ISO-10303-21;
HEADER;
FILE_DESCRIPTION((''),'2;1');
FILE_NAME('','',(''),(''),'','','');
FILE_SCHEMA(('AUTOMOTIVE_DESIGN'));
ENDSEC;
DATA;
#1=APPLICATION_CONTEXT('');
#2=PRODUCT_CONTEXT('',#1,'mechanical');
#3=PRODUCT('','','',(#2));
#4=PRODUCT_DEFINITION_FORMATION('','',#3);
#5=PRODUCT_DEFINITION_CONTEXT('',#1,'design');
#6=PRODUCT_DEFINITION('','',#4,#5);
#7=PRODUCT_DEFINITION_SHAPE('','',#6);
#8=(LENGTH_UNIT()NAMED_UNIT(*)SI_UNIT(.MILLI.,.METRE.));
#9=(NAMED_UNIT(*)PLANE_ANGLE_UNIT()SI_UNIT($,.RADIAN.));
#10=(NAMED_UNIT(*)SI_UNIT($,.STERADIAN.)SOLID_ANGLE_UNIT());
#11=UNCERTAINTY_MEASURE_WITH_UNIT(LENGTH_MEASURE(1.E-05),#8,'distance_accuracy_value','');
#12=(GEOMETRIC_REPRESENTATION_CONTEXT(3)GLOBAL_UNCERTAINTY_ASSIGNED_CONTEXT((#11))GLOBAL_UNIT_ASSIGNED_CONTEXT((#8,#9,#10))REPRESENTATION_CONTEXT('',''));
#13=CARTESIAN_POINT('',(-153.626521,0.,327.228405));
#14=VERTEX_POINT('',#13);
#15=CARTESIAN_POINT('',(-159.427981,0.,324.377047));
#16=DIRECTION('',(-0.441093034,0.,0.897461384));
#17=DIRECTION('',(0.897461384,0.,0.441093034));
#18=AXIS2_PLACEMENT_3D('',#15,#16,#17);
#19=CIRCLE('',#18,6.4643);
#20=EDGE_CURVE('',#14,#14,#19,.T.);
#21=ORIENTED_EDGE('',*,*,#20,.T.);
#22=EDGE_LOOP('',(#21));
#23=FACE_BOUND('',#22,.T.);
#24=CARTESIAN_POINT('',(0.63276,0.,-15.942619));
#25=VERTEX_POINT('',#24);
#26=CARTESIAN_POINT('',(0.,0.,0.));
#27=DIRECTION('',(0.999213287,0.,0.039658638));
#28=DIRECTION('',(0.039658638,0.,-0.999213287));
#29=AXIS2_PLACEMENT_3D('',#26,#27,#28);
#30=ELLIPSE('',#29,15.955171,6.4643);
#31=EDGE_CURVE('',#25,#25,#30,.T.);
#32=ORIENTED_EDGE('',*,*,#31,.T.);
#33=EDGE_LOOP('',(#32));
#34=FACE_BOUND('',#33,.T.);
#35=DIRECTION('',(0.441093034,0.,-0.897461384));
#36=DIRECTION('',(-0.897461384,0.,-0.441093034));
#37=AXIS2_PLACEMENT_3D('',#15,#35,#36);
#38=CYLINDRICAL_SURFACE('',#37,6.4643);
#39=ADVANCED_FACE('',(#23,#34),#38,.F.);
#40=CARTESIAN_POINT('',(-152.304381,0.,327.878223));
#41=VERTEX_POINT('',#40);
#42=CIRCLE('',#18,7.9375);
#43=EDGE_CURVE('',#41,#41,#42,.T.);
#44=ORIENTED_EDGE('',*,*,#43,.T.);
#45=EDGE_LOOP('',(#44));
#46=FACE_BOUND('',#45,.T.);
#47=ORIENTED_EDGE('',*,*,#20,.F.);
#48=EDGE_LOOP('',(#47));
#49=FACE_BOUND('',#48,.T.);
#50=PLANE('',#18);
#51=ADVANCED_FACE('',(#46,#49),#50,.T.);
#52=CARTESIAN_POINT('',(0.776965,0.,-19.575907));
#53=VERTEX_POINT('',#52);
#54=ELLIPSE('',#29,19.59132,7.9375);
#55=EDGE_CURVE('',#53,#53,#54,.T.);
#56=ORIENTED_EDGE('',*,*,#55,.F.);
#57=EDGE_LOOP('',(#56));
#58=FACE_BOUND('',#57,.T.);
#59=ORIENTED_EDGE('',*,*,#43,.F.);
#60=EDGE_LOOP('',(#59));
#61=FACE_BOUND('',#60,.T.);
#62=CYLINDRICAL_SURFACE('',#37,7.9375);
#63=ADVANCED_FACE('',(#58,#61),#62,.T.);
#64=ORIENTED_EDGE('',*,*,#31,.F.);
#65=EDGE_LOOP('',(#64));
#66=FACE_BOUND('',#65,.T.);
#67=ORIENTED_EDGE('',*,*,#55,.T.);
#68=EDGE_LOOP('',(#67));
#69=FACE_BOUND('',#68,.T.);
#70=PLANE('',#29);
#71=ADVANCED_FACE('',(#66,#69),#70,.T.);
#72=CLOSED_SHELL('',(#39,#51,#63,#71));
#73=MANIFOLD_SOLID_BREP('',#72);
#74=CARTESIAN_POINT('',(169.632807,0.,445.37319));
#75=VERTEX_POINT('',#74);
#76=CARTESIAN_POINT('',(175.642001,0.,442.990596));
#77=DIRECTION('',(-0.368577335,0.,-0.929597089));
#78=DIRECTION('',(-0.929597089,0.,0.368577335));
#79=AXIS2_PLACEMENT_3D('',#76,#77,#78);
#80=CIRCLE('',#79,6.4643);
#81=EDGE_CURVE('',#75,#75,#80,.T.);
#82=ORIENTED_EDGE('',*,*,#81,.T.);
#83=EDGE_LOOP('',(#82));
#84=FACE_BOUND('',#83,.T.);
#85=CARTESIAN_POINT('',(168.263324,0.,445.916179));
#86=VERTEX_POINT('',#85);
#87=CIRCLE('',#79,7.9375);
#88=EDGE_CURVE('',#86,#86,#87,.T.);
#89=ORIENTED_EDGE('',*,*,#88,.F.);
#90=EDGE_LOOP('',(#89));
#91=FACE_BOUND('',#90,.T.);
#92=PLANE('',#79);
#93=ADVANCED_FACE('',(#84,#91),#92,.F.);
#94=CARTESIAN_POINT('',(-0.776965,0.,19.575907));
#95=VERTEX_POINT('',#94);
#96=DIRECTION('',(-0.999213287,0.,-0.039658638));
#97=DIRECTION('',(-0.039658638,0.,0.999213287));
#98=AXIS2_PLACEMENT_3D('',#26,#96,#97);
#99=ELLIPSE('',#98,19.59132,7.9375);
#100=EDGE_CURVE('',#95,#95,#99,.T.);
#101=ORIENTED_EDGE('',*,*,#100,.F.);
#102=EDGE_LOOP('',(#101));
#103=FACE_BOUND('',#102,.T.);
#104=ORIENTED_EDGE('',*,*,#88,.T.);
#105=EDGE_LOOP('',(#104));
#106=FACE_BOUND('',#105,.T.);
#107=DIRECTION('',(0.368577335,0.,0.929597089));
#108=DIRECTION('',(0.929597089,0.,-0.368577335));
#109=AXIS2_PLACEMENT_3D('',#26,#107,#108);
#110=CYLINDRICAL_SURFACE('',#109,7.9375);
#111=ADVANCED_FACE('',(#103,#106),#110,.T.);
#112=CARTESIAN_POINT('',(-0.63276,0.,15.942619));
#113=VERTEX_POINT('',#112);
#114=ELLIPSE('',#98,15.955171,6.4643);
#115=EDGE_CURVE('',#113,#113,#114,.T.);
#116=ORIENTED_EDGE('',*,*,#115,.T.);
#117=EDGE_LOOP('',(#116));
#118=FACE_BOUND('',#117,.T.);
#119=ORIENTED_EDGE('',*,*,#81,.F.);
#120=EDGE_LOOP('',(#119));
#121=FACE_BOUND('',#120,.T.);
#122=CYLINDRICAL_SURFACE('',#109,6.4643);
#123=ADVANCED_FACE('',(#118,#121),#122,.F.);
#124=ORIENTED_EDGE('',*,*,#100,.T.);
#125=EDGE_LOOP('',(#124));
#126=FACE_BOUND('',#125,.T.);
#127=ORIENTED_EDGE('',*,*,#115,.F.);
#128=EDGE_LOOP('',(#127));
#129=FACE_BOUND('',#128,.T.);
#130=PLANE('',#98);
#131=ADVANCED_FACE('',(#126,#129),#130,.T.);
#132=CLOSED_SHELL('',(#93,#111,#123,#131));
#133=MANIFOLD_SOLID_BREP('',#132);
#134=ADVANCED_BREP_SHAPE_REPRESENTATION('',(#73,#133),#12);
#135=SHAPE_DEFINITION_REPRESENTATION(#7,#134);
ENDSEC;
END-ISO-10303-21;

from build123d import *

# Parameters (mm, degrees)
SKETCH11_ON_SEGMENT_1_R         = 7.9375
SKETCH11_ON_SEGMENT_1_R_2       = 6.4643
STRUCTURAL_MEMBER1_DEPTH        = 502.870881135
SKETCH11_R                      = 7.9375
SKETCH11_R_2                    = 6.4643
STRUCTURAL_MEMBER1_2_DEPTH      = 361.438445442
STRUCTURAL_MEMBER1_2_DEPTH_BACK = 26.330451864


with BuildPart() as part:
    # Sketch11 on segment 1 (carried to segment 1) → Structural Member1 (new body)
    with BuildSketch(Plane(origin=(175.642001203, 0, 442.990595998), x_dir=(-0.929597089, 0, 0.368577335), z_dir=(-0.368577335, 0, -0.929597089))):
        Circle(SKETCH11_ON_SEGMENT_1_R)
        Circle(SKETCH11_ON_SEGMENT_1_R_2, mode=Mode.SUBTRACT)
    extrude(amount=STRUCTURAL_MEMBER1_DEPTH)

    # Structural Member1 mitre 1
    split(bisect_by=Plane(origin=(0, 0, 0), x_dir=(0, 1, 0), z_dir=(0.999213287, 0, 0.039658638)), keep=Keep.TOP)


with BuildPart() as body_2:
    # Sketch11 → Structural Member1 2 (new, two sides)
    with BuildSketch(Plane(origin=(0, 0, 0), x_dir=(0.8974613837581003, 0, 0.4410930340222977), z_dir=(-0.4410930340222977, 0, 0.8974613837581003))) as structural_member1_2_sk:
        Circle(SKETCH11_R)
        Circle(SKETCH11_R_2, mode=Mode.SUBTRACT)
    extrude(amount=STRUCTURAL_MEMBER1_2_DEPTH)
    extrude(structural_member1_2_sk.sketch, amount=-STRUCTURAL_MEMBER1_2_DEPTH_BACK)

    # Structural Member1 2 mitre 1
    split(bisect_by=Plane(origin=(0, 0, 0), x_dir=(0, -1, 0), z_dir=(-0.999213287, 0, -0.039658638)), keep=Keep.TOP)


solid = Compound([part.part, body_2.part])
